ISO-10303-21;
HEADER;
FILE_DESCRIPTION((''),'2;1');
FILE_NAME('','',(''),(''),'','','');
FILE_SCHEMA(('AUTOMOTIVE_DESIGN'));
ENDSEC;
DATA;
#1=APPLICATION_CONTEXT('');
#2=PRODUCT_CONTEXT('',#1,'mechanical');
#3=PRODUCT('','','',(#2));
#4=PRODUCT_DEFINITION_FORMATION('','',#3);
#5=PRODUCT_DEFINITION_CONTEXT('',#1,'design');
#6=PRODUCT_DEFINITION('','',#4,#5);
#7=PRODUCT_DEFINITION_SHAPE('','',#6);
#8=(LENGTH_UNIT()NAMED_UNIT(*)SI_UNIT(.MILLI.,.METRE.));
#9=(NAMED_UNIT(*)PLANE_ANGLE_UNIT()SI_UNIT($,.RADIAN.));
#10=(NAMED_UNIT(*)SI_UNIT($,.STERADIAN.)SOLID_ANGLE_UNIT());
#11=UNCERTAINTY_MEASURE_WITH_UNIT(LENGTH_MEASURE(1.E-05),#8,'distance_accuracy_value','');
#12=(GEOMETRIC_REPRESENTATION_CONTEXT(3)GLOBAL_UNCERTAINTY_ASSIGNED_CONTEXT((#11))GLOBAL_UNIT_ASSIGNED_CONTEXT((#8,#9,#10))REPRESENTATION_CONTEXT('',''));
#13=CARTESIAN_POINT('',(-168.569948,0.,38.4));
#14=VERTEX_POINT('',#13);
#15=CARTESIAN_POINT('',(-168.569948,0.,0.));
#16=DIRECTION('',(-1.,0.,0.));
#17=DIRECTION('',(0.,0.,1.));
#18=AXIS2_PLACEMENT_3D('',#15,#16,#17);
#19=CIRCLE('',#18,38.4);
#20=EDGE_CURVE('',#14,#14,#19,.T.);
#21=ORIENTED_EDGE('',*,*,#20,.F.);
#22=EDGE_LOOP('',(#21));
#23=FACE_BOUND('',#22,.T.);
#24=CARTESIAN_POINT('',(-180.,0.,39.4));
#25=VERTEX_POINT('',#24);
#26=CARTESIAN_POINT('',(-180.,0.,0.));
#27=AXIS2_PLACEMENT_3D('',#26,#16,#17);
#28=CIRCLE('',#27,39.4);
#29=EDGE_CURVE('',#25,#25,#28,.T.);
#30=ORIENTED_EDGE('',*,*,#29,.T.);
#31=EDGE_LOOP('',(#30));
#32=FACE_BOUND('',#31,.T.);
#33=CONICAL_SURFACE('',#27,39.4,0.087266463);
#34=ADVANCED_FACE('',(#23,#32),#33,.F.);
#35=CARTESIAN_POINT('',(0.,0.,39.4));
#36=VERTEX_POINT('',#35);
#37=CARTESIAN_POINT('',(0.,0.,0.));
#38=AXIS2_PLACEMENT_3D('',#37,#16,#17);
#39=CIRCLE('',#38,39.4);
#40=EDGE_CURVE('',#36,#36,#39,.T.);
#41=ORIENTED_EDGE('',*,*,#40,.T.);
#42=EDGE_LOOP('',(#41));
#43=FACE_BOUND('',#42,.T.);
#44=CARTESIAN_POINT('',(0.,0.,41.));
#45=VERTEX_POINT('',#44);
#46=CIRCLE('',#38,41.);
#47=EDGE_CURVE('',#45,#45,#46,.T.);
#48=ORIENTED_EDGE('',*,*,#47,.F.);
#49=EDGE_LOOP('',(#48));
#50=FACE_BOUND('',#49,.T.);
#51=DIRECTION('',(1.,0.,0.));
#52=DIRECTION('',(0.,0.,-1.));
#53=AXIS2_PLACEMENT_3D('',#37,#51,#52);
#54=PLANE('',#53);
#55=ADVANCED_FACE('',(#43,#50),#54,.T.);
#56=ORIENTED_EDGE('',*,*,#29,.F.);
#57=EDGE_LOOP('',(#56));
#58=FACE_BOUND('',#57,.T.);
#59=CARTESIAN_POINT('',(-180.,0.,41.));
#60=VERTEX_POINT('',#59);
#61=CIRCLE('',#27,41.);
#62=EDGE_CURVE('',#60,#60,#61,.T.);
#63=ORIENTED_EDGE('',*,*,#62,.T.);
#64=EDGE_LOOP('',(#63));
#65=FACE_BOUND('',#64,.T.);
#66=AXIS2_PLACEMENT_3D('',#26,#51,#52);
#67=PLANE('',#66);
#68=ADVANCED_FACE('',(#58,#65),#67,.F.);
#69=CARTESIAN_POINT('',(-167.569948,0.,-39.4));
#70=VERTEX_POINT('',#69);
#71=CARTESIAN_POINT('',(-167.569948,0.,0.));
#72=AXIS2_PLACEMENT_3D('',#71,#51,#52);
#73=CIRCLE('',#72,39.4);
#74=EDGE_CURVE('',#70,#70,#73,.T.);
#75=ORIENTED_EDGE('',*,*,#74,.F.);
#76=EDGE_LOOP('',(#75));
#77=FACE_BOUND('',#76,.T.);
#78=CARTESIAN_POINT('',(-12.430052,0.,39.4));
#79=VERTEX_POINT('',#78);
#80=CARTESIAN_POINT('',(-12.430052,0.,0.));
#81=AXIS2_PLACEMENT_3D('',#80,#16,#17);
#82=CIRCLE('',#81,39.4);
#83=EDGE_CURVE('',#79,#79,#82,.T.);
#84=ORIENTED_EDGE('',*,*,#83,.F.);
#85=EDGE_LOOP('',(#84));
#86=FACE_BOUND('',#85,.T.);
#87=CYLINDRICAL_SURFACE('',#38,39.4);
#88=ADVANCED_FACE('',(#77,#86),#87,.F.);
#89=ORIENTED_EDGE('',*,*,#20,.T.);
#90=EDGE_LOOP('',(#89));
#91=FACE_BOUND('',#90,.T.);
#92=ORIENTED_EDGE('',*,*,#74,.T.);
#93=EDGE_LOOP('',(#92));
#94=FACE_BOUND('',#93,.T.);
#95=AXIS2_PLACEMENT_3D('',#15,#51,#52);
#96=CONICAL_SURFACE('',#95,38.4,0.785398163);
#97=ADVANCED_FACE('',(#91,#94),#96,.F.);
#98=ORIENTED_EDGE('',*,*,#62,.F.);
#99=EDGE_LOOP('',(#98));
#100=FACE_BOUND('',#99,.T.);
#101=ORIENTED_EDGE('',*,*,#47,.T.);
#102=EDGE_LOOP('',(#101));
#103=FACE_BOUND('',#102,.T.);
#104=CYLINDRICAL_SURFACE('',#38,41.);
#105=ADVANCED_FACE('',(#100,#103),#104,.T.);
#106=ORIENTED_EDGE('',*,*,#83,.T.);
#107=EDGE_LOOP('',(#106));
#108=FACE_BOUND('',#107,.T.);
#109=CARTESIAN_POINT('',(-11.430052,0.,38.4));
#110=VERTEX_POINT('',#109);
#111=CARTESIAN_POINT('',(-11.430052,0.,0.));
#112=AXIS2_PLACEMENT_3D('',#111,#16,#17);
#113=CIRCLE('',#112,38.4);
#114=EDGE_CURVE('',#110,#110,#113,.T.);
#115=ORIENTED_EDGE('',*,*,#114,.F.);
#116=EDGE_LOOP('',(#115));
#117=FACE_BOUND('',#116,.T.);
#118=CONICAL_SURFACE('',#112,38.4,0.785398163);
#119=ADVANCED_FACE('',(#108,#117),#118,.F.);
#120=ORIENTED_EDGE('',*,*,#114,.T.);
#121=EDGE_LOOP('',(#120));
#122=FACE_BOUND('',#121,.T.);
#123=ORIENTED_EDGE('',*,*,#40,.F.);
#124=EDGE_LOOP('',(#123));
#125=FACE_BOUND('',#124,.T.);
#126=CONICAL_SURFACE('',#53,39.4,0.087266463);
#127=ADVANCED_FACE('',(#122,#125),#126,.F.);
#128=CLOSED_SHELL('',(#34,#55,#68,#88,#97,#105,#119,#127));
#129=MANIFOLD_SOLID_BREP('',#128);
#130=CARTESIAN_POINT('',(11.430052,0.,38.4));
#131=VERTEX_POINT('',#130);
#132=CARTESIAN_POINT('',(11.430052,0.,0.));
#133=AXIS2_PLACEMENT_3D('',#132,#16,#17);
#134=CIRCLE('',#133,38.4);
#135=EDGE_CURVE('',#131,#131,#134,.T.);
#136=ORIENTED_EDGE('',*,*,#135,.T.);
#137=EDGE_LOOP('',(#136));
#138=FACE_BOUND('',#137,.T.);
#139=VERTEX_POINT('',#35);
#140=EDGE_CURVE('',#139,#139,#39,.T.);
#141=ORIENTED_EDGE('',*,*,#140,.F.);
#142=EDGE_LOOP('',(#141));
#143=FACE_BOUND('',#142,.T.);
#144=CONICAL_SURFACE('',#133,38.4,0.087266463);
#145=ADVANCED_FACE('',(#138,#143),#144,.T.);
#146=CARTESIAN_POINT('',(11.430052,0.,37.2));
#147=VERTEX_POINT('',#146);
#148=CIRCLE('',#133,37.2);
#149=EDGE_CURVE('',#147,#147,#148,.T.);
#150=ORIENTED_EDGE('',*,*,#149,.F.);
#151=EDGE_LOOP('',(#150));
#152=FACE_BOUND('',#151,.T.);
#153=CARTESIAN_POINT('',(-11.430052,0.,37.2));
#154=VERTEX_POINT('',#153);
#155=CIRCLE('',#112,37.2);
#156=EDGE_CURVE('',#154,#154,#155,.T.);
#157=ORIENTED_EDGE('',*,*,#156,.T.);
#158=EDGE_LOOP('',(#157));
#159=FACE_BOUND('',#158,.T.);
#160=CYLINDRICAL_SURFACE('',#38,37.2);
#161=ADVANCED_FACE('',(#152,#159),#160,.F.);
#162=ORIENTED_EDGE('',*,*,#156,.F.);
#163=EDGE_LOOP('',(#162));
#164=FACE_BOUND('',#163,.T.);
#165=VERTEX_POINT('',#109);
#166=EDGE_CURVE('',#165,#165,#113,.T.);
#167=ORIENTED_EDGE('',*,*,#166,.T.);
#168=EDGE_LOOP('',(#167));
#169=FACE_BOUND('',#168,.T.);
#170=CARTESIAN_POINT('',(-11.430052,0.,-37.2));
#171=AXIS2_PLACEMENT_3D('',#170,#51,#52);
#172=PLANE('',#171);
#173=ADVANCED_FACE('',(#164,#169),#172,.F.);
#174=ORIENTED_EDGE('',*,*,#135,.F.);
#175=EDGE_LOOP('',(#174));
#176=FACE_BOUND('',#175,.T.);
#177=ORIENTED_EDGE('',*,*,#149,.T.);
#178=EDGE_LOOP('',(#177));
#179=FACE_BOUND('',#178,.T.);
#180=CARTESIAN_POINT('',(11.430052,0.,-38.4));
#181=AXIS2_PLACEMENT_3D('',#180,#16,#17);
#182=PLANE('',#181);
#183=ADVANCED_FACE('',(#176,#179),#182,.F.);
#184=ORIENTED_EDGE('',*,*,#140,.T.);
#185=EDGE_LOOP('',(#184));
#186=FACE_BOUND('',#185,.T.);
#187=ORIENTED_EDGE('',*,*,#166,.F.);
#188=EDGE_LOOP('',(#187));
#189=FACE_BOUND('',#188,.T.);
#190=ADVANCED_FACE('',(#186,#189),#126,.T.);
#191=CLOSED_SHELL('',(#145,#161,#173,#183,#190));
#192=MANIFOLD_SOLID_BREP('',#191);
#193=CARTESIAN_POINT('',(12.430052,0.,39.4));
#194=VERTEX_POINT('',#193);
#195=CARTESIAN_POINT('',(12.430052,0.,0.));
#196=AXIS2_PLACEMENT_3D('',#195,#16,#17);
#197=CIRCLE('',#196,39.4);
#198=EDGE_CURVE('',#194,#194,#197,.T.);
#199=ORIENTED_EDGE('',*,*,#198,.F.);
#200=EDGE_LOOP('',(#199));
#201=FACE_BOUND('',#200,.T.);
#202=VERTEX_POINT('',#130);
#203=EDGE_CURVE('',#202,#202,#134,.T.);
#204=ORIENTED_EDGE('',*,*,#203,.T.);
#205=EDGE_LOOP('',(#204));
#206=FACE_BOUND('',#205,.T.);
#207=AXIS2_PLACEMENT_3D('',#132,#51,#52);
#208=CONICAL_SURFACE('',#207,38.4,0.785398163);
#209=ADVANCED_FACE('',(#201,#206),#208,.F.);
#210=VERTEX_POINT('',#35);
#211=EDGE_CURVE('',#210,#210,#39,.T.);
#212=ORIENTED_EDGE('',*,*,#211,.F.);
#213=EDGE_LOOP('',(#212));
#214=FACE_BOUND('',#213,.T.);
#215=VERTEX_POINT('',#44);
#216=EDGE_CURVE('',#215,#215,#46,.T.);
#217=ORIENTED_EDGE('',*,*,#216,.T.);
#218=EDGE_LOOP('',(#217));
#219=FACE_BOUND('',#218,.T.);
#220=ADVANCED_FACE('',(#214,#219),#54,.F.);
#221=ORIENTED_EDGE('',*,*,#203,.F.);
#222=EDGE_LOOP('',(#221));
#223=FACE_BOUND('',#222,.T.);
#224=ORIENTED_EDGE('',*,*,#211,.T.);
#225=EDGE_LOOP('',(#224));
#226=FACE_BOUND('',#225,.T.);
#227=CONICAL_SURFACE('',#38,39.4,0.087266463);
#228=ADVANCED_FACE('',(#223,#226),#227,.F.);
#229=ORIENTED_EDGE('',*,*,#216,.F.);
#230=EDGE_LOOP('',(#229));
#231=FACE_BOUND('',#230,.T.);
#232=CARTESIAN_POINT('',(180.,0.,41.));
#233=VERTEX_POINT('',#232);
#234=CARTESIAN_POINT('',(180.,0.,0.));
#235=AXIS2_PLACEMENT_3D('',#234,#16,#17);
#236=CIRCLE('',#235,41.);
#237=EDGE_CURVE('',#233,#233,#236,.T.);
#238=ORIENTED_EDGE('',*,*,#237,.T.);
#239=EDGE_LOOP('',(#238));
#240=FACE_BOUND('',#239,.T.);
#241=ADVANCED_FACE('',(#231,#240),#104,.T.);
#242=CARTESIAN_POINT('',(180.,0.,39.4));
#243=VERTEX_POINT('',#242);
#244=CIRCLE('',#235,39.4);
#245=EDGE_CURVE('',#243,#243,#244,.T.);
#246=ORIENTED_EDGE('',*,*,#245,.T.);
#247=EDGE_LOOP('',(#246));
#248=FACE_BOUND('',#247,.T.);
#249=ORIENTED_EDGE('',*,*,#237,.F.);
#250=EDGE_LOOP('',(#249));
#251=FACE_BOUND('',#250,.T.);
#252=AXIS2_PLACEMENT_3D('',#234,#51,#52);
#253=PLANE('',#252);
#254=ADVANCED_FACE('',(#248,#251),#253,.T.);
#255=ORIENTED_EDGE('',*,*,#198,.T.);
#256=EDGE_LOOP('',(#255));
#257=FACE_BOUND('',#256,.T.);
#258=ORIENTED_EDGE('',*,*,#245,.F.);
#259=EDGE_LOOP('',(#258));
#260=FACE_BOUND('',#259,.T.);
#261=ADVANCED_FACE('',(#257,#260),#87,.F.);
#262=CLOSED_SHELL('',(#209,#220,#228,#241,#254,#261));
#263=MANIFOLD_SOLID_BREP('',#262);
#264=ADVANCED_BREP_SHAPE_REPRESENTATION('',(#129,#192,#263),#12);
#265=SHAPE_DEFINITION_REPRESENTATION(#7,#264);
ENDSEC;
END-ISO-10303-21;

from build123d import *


with BuildPart() as part:
    # Sketch2 → Revolve1 (revolve)
    with BuildSketch(Plane(origin=(0, 0, 0), x_dir=(1, 0, 0), z_dir=(0, 1, 0))):
        Polygon((180, 39.4), (180, 41), (0, 41), (0, 39.4), (11.430052303, 38.4), (12.430052303, 39.4), align=None)
    revolve(axis=Axis((0, 0, 0), (1, 0, 0)))


with BuildPart() as body_2:
    # Sketch2<3> → Revolve2 (revolve)
    with BuildSketch(Plane(origin=(0, 0, 0), x_dir=(1, 0, 0), z_dir=(0, 1, 0))):
        Polygon((0, 39.4), (0, 41), (-180, 41), (-180, 39.4), (-168.569947697, 38.4), (-167.569947697, 39.4), (-12.430052303, 39.4), (-11.430052303, 38.4), align=None)
    revolve(axis=Axis((0, 0, 0), (1, 0, 0)))


with BuildPart() as body_3:
    # Sketch3 → Revolve3 (revolve)
    with BuildSketch(Plane(origin=(0, 0, 0), x_dir=(1, 0, 0), z_dir=(0, 1, 0))):
        Polygon((-11.430052303, 38.4), (0, 39.4), (11.430052303, 38.4), (11.430052303, 37.2), (-11.430052303, 37.2), align=None)
    revolve(axis=Axis((0, 0, 0), (1, 0, 0)))


solid = Compound([part.part, body_2.part, body_3.part])
